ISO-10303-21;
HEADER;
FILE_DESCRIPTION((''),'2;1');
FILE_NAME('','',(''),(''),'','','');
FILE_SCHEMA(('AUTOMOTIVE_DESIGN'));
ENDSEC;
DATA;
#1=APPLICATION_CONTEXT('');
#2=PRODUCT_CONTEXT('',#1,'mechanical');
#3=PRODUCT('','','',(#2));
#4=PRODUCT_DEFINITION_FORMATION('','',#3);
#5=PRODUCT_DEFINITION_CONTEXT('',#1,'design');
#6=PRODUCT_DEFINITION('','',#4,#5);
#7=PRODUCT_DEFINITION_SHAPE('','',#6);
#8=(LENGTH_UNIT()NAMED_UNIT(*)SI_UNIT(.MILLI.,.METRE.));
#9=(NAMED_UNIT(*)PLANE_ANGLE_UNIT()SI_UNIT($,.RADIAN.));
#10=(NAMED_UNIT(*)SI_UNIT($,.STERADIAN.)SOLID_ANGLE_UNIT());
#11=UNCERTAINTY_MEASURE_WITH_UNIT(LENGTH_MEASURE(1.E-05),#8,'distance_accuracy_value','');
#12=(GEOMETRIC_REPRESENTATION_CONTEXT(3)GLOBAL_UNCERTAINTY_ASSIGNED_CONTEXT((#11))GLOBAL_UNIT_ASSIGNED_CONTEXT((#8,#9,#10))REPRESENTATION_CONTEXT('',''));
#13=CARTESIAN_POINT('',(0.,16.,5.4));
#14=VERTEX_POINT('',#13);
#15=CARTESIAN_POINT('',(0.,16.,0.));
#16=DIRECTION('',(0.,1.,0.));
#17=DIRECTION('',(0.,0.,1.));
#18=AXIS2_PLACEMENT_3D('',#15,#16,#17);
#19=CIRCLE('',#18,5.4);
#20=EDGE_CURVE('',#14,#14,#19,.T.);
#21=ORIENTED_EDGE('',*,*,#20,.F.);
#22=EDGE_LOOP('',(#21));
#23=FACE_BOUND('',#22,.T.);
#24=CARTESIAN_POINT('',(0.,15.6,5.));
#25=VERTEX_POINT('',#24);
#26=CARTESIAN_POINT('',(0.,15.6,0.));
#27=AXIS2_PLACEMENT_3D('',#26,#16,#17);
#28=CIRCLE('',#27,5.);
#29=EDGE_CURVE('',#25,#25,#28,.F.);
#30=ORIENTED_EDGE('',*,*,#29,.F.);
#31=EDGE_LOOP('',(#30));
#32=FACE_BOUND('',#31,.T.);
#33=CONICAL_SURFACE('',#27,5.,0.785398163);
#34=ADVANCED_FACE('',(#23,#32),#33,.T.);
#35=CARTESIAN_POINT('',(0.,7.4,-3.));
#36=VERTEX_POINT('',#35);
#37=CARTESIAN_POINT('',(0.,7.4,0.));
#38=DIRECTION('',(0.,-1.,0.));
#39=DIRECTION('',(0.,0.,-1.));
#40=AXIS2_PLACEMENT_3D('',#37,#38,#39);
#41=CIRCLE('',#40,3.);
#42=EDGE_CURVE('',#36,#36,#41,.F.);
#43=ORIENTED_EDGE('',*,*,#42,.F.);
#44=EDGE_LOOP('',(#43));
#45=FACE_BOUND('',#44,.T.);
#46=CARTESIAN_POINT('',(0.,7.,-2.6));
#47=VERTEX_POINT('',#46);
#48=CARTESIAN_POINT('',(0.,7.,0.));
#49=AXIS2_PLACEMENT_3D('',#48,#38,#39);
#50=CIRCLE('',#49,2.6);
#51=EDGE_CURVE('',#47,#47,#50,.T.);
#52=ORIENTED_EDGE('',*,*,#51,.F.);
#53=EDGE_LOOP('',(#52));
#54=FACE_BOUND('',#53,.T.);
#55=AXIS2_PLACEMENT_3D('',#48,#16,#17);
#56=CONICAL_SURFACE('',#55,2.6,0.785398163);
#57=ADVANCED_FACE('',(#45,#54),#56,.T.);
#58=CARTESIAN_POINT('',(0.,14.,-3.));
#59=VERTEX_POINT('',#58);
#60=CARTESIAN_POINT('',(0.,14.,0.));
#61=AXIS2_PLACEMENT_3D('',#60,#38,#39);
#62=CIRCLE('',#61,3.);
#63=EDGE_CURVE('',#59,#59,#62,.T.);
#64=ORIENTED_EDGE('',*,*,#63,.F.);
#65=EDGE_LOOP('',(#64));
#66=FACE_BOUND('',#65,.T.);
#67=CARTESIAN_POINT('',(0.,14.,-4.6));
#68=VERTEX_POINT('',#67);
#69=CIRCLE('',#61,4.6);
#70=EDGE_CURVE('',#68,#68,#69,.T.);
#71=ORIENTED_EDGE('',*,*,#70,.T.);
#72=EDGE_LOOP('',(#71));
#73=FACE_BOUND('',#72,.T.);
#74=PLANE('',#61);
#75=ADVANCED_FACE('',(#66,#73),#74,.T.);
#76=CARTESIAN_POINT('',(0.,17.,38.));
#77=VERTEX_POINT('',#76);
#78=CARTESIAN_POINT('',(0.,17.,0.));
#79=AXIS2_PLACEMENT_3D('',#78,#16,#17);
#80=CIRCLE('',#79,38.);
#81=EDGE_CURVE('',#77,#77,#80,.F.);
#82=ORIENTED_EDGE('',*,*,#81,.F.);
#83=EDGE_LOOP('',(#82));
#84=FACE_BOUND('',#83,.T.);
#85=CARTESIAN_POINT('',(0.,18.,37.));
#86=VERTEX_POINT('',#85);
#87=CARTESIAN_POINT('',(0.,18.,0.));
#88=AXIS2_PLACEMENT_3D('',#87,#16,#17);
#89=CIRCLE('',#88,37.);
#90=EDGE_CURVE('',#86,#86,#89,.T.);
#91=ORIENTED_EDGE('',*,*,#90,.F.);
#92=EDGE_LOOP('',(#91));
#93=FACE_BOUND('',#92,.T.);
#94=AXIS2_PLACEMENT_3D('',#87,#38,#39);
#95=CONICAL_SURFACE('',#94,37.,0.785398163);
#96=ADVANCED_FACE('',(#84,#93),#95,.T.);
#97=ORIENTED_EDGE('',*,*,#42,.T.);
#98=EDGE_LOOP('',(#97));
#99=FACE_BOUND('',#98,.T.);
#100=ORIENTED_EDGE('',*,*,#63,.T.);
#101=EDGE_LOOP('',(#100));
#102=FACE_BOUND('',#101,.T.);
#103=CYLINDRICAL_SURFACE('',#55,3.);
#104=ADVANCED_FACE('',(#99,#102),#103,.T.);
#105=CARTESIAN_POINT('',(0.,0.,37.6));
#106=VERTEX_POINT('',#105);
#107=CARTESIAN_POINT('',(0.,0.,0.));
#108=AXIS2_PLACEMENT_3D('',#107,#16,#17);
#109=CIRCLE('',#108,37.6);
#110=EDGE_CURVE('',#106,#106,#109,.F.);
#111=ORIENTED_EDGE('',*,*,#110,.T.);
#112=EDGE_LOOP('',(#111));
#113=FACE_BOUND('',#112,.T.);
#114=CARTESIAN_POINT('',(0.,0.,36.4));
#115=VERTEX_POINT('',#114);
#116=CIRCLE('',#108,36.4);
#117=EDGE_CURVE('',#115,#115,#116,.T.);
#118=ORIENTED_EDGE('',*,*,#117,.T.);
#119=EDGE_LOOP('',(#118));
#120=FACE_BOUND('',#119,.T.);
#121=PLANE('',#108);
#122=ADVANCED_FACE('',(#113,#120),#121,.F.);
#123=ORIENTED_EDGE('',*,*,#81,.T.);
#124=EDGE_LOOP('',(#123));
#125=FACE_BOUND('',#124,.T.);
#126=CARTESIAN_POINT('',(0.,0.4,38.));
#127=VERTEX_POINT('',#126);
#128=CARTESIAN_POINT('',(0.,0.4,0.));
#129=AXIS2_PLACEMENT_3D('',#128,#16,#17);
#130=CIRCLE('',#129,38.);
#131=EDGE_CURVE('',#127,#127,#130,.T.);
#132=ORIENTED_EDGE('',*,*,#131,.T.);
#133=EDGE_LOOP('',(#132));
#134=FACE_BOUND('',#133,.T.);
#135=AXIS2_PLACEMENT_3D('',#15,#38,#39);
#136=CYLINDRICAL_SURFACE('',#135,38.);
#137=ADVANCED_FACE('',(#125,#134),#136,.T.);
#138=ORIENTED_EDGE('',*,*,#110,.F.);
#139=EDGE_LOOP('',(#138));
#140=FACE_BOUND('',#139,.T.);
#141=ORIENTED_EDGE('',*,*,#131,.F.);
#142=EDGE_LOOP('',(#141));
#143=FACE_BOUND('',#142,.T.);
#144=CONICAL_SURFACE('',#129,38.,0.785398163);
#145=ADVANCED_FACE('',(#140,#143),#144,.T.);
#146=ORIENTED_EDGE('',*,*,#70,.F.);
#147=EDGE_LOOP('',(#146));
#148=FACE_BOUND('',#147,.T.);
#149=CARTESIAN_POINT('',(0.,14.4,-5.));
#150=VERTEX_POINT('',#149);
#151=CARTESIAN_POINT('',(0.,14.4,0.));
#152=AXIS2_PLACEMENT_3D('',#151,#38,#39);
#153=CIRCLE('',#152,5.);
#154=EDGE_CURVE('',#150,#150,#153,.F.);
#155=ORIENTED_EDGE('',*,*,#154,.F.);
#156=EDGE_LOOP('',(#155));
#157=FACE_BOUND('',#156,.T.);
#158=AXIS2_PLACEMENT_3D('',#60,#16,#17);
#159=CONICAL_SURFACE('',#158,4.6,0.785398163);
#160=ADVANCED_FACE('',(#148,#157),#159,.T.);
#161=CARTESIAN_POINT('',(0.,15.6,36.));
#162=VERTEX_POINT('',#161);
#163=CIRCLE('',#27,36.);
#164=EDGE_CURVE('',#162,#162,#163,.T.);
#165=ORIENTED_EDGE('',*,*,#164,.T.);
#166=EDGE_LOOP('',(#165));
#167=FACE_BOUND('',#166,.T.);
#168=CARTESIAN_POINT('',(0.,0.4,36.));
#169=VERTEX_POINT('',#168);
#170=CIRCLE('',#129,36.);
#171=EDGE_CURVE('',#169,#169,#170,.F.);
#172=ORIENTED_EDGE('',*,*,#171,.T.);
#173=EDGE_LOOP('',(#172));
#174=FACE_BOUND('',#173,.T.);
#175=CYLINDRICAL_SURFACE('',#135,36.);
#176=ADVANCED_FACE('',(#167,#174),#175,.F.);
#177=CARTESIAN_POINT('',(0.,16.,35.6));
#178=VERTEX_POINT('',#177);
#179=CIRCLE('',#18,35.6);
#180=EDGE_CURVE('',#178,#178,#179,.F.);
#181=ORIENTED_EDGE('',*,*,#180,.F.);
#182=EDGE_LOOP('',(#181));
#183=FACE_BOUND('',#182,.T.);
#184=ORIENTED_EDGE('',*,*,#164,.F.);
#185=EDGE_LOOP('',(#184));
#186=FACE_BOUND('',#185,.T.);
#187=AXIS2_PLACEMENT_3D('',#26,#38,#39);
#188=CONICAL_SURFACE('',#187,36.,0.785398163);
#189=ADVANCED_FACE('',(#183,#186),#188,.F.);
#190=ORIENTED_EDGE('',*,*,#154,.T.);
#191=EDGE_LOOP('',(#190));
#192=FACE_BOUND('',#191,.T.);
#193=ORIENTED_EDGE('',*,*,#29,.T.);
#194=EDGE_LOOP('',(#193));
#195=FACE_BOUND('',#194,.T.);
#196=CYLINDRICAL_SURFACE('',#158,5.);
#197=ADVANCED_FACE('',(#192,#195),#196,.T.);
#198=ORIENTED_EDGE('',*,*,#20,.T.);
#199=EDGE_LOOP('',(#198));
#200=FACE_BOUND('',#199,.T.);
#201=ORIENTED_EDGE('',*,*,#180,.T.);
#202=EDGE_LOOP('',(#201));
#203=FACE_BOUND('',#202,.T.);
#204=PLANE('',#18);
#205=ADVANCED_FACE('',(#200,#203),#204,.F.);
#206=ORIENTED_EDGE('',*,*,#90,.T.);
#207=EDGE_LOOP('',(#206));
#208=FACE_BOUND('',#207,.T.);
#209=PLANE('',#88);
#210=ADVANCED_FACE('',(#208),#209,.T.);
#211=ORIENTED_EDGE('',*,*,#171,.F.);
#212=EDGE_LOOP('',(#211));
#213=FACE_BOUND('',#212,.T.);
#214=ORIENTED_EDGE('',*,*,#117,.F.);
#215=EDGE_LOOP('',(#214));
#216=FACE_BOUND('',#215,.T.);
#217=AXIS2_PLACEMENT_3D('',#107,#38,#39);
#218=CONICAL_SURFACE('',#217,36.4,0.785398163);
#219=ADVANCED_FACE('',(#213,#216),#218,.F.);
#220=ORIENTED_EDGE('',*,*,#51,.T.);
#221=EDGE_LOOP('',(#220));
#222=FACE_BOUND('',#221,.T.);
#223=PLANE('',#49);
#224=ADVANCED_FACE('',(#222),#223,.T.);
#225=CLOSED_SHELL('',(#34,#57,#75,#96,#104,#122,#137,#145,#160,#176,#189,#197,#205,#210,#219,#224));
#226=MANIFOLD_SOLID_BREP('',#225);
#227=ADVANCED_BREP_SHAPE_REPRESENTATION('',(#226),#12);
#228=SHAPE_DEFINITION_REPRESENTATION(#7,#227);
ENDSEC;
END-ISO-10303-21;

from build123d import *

# Parameters (mm, degrees)
SKETCH1_R           = 38
SKETCH1_R_2         = 36
BOSS_EXTRUDE1_DEPTH = 16
SKETCH2_R           = 38
BOSS_EXTRUDE2_DEPTH = 2
CHAMFER1_SIZE       = 0.4
SKETCH3_R           = 5
BOSS_EXTRUDE3_DEPTH = 2
SKETCH4_R           = 3
BOSS_EXTRUDE4_DEPTH = 7
CHAMFER2_SIZE       = 0.4
CHAMFER3_SIZE       = 1


with BuildPart() as part:
    # Sketch1 → Boss-Extrude1 (new body)
    with BuildSketch(Plane(origin=(0, 0, 0), x_dir=(1, 0, 0), z_dir=(0, 1, 0))):
        Circle(SKETCH1_R)
        Circle(SKETCH1_R_2, mode=Mode.SUBTRACT)
    extrude(amount=BOSS_EXTRUDE1_DEPTH)

    # Sketch2 → Boss-Extrude2 (add)
    with BuildSketch(Plane(origin=(0, 16, 0), x_dir=(1, 0, 0), z_dir=(0, 1, 0))):
        Circle(SKETCH2_R)
    extrude(amount=BOSS_EXTRUDE2_DEPTH)

    # Chamfer1
    chamfer1_edges = [part.edges().sort_by_distance(p)[0] for p in [
        (-36, 16, 0),
        (-38, 0, 0),
        (-36, 0, 0),
    ]]
    chamfer(chamfer1_edges, length=CHAMFER1_SIZE)

    # Sketch3 → Boss-Extrude3 (add)
    with BuildSketch(Plane.XZ.offset(-16)):
        Circle(SKETCH3_R)
    extrude(amount=BOSS_EXTRUDE3_DEPTH)

    # Sketch4 → Boss-Extrude4 (add)
    with BuildSketch(Plane(origin=(0, 14, 0), x_dir=(-1, 0, 0), z_dir=(0, -1, 0))):
        Circle(SKETCH4_R)
    extrude(amount=BOSS_EXTRUDE4_DEPTH)

    # Chamfer2
    chamfer2_edges = [part.edges().sort_by_distance(p)[0] for p in [
        (-5, 16, 0),
        (-5, 14, 0),
        (3, 7, 0),
    ]]
    chamfer(chamfer2_edges, length=CHAMFER2_SIZE)

    # Chamfer3
    chamfer3_edges = [part.edges().sort_by_distance(p)[0] for p in [
        (-38, 18, 0),
    ]]
    chamfer(chamfer3_edges, length=CHAMFER3_SIZE)


solid = part.part
